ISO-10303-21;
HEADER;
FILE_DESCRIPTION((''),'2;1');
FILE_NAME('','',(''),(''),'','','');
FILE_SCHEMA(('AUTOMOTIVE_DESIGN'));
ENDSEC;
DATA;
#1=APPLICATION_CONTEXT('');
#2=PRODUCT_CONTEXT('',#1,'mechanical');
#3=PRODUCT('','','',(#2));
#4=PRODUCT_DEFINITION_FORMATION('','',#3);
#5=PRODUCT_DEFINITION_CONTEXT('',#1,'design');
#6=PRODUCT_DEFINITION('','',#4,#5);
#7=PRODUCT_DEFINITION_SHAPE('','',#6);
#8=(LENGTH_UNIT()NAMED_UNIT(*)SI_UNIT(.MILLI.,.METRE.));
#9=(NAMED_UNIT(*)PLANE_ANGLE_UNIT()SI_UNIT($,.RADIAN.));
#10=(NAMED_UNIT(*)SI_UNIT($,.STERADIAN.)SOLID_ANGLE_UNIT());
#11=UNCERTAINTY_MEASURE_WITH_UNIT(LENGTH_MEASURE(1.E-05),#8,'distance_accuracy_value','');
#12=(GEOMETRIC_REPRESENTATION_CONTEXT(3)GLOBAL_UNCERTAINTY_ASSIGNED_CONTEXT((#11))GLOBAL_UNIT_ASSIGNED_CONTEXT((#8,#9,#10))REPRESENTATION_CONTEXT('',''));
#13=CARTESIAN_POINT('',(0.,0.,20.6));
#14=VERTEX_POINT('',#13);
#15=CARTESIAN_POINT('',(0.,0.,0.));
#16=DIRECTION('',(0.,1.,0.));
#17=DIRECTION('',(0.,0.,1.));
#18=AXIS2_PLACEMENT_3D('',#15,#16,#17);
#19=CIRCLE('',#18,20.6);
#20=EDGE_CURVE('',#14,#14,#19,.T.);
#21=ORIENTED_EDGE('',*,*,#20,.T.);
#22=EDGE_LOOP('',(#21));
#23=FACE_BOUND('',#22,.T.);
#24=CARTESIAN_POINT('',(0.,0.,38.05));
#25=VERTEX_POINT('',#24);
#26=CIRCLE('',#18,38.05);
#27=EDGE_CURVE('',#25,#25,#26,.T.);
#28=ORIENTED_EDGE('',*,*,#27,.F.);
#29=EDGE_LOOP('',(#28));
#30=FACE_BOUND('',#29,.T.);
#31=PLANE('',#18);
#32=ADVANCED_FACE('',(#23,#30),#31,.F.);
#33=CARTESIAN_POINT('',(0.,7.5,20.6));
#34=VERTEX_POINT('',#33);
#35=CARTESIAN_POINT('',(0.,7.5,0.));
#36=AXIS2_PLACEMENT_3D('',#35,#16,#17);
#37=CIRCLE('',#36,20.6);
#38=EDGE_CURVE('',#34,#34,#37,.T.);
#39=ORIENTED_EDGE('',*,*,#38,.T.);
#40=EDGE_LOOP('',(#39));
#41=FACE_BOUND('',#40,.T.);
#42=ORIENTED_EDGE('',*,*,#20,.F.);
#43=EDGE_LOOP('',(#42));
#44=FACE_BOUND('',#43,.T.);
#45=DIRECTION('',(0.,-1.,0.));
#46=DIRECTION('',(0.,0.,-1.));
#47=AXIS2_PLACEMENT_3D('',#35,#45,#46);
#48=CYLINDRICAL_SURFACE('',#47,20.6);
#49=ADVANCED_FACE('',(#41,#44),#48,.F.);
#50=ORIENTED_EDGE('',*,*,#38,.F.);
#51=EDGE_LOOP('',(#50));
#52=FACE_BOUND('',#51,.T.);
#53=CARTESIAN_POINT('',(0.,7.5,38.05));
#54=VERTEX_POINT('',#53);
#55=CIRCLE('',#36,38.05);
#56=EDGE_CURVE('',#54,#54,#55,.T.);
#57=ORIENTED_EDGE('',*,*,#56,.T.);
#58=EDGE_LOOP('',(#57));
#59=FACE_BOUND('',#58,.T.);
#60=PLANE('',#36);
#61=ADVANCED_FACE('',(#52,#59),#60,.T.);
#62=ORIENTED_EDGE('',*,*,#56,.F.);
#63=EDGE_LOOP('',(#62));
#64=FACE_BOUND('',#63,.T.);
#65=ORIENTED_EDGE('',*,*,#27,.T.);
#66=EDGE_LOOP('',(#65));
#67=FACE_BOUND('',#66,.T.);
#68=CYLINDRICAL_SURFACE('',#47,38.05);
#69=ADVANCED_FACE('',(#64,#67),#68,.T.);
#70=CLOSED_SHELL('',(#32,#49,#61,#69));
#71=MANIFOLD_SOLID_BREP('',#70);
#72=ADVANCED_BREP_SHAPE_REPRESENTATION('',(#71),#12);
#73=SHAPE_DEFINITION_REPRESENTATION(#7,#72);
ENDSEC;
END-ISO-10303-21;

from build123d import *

# Parameters (mm, degrees)
SKETCH1_R           = 38.05
SKETCH1_R_2         = 20.6
BOSS_EXTRUDE1_DEPTH = 7.5


with BuildPart() as part:
    # Sketch1 → Boss-Extrude1 (new body)
    with BuildSketch(Plane(origin=(0, 0, 0), x_dir=(1, 0, 0), z_dir=(0, 1, 0))):
        Circle(SKETCH1_R)
        Circle(SKETCH1_R_2, mode=Mode.SUBTRACT)
    extrude(amount=BOSS_EXTRUDE1_DEPTH)


solid = part.part
